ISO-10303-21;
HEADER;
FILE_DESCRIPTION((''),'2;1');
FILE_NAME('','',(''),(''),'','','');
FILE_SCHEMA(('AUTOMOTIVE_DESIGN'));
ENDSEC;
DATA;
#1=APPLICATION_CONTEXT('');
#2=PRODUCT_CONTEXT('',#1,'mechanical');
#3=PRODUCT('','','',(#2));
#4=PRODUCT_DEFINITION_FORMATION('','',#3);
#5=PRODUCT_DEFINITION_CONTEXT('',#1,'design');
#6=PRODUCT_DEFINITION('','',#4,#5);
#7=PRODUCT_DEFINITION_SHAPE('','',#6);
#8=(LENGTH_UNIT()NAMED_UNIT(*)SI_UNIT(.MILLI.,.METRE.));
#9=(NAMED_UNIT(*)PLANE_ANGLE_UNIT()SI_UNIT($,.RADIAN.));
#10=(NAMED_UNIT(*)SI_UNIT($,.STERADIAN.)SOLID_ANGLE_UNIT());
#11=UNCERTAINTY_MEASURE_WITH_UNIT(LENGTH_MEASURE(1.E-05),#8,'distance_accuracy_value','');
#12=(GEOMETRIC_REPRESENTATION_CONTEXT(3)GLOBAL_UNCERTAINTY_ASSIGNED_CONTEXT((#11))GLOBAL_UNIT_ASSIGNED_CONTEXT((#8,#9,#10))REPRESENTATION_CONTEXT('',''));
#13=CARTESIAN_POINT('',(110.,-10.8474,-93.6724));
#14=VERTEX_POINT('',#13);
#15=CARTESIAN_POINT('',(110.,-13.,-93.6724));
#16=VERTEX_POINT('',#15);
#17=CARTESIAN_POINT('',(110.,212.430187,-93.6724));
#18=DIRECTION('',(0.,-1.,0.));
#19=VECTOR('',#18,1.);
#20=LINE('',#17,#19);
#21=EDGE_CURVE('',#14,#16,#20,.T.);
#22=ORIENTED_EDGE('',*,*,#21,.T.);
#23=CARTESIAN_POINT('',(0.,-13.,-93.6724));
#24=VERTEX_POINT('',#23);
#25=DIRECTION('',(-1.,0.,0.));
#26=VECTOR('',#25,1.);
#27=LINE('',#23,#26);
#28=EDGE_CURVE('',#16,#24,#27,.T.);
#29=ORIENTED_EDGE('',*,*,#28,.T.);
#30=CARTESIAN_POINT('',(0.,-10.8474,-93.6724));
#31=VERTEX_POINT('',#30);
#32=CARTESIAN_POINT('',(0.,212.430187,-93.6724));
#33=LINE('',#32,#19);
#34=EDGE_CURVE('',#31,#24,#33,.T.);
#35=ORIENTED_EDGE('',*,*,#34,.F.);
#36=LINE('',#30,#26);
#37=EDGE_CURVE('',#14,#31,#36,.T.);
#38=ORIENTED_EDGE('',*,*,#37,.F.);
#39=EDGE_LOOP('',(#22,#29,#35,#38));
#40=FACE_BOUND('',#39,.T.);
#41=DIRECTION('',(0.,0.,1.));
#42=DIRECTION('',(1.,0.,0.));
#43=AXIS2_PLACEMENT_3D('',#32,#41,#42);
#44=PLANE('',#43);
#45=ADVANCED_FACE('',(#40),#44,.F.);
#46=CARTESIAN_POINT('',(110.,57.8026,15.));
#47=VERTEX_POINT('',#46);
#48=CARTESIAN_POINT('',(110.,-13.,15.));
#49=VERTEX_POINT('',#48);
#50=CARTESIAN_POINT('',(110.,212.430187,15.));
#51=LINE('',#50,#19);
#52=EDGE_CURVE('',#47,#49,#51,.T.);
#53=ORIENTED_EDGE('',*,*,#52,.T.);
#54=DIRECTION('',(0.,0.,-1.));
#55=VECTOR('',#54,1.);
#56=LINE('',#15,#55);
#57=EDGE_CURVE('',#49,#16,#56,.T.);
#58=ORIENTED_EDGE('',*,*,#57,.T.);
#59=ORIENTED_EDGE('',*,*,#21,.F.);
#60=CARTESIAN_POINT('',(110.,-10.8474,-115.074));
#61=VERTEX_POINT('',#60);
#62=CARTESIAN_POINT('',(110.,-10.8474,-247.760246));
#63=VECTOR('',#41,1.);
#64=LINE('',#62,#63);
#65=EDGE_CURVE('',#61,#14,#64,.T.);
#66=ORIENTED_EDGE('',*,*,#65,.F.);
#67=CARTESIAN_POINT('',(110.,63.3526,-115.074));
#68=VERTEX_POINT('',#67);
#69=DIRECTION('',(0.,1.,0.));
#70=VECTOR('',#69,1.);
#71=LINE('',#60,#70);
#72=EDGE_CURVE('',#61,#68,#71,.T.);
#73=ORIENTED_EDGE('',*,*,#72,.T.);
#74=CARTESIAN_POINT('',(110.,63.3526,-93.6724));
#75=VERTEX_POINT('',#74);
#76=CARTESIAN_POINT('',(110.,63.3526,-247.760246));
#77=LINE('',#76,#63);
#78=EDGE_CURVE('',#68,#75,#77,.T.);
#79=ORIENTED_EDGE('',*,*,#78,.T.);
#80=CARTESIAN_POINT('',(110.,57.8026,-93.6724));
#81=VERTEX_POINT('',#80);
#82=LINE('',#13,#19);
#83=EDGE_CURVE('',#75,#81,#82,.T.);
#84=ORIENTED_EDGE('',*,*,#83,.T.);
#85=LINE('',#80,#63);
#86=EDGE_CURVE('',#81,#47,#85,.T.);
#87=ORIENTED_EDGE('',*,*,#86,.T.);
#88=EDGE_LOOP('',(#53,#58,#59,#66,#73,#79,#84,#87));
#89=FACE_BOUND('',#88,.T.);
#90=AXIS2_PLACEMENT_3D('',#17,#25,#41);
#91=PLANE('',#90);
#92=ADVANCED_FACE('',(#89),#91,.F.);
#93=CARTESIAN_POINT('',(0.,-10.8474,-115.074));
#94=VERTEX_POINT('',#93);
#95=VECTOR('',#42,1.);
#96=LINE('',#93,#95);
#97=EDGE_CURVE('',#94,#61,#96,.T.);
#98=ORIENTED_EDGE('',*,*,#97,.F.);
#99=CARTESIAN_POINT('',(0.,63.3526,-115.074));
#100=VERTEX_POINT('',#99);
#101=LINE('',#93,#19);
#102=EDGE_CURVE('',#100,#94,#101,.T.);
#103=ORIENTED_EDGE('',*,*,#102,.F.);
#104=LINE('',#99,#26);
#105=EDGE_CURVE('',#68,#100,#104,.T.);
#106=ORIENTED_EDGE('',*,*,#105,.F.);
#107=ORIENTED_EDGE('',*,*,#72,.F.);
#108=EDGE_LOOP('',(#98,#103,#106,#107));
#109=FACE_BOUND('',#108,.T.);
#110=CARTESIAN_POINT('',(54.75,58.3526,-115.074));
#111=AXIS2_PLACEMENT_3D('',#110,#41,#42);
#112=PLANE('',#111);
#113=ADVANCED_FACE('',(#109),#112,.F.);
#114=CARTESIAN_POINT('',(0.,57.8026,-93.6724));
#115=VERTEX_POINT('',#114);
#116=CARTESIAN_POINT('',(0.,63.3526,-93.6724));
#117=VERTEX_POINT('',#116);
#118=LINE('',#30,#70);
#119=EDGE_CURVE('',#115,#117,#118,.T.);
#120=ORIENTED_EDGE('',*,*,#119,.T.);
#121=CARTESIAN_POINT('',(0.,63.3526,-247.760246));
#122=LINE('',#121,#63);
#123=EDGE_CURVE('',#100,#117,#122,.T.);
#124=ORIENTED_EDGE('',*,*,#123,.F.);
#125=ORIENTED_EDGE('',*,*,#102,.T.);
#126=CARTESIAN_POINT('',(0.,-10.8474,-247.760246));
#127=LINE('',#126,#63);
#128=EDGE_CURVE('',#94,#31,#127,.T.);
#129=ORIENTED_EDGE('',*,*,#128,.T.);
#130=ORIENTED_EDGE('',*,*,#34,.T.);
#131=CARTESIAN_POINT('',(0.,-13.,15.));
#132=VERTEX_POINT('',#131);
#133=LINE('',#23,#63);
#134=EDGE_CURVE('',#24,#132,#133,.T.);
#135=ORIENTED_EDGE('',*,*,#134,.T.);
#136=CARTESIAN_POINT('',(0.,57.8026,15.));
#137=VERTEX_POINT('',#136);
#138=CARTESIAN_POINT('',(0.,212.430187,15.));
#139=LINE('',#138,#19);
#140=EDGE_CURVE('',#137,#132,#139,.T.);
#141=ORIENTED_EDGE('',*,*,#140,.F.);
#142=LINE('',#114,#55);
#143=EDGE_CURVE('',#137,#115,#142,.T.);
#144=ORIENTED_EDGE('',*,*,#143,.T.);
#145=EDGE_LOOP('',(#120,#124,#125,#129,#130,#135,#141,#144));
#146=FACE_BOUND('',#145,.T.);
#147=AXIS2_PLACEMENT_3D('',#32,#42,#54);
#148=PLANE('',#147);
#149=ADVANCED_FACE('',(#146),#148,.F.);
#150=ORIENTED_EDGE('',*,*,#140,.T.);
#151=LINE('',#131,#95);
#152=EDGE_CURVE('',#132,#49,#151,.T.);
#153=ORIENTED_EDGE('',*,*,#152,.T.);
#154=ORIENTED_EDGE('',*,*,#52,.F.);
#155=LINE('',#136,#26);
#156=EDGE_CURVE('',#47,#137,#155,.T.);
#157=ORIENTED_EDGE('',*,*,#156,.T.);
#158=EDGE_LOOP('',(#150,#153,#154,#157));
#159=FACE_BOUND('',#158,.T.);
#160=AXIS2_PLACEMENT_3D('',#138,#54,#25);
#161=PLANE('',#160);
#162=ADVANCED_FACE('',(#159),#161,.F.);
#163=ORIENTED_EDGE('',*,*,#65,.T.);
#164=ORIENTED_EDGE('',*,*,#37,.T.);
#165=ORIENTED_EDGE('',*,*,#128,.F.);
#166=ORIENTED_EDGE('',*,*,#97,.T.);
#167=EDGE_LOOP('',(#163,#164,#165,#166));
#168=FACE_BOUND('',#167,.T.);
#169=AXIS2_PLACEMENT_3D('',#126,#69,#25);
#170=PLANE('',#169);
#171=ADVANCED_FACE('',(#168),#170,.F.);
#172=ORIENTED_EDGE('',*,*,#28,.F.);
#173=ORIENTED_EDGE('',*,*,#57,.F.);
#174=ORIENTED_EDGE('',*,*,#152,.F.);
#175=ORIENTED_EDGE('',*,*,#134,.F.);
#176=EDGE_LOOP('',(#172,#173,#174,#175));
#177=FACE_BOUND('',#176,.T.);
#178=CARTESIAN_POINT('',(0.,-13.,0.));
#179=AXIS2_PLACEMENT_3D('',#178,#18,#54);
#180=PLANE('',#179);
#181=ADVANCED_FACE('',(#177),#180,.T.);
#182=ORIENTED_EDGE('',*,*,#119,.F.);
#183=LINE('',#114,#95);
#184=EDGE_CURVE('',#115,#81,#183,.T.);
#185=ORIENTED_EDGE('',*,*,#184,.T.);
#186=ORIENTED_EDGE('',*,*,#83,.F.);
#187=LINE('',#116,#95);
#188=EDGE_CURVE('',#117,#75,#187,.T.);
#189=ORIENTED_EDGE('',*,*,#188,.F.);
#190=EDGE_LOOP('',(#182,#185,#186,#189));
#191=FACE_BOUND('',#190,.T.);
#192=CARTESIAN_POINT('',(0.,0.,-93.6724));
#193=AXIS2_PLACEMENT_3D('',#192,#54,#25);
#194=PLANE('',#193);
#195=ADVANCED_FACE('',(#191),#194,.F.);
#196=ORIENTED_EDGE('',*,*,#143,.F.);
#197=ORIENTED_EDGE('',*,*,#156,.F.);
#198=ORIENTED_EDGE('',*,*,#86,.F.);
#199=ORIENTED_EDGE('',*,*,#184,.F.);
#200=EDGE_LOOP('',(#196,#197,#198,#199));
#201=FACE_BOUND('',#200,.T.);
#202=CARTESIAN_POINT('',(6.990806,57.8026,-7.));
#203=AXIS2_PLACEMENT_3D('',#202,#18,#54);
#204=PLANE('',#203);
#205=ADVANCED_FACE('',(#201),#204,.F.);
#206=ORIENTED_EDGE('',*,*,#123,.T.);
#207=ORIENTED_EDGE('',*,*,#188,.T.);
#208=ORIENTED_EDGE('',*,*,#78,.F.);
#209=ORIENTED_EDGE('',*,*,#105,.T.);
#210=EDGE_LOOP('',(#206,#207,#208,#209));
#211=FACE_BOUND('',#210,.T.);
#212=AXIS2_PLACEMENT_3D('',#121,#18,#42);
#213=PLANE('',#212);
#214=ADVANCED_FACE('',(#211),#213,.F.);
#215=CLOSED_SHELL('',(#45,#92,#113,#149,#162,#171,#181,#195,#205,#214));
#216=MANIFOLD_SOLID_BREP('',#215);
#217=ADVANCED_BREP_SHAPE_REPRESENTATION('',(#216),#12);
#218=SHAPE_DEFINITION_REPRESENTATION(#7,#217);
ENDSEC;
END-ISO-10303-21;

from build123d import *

# Parameters (mm, degrees)
SCROD_AND_CARRIERS_AND_HV_DEPTH      = 57.8026
SCROD_AND_CARRIERS_AND_HV_DEPTH_BACK = 13
SKETCH1_W                            = 110
SKETCH1_H                            = 108.6724
SKETCH2_W                            = 110
SKETCH2_H                            = 74.2
PMT_ASSEMBLY_DEPTH                   = 21.4016


with BuildPart() as part:
    # Sketch1 → SCROD-and-carriers-and-HV (new, two sides: drawn at the far end of the back side and taken through both)
    with BuildSketch(Plane(origin=(0, 0, 0), x_dir=(1, 0, 0), z_dir=(0, 1, 0)).offset(-SCROD_AND_CARRIERS_AND_HV_DEPTH_BACK)):
        with Locations((55, 39.3362)):
            Rectangle(SKETCH1_W, SKETCH1_H)
    extrude(amount=SCROD_AND_CARRIERS_AND_HV_DEPTH + SCROD_AND_CARRIERS_AND_HV_DEPTH_BACK)

    # Sketch2 → pmt-assembly (add)
    with BuildSketch(Plane(origin=(0, 0, -93.6724), x_dir=(-1, 0, 0), z_dir=(0, 0, -1))):
        with Locations((-55, 26.2526)):
            Rectangle(SKETCH2_W, SKETCH2_H)
    extrude(amount=PMT_ASSEMBLY_DEPTH)


solid = part.part
